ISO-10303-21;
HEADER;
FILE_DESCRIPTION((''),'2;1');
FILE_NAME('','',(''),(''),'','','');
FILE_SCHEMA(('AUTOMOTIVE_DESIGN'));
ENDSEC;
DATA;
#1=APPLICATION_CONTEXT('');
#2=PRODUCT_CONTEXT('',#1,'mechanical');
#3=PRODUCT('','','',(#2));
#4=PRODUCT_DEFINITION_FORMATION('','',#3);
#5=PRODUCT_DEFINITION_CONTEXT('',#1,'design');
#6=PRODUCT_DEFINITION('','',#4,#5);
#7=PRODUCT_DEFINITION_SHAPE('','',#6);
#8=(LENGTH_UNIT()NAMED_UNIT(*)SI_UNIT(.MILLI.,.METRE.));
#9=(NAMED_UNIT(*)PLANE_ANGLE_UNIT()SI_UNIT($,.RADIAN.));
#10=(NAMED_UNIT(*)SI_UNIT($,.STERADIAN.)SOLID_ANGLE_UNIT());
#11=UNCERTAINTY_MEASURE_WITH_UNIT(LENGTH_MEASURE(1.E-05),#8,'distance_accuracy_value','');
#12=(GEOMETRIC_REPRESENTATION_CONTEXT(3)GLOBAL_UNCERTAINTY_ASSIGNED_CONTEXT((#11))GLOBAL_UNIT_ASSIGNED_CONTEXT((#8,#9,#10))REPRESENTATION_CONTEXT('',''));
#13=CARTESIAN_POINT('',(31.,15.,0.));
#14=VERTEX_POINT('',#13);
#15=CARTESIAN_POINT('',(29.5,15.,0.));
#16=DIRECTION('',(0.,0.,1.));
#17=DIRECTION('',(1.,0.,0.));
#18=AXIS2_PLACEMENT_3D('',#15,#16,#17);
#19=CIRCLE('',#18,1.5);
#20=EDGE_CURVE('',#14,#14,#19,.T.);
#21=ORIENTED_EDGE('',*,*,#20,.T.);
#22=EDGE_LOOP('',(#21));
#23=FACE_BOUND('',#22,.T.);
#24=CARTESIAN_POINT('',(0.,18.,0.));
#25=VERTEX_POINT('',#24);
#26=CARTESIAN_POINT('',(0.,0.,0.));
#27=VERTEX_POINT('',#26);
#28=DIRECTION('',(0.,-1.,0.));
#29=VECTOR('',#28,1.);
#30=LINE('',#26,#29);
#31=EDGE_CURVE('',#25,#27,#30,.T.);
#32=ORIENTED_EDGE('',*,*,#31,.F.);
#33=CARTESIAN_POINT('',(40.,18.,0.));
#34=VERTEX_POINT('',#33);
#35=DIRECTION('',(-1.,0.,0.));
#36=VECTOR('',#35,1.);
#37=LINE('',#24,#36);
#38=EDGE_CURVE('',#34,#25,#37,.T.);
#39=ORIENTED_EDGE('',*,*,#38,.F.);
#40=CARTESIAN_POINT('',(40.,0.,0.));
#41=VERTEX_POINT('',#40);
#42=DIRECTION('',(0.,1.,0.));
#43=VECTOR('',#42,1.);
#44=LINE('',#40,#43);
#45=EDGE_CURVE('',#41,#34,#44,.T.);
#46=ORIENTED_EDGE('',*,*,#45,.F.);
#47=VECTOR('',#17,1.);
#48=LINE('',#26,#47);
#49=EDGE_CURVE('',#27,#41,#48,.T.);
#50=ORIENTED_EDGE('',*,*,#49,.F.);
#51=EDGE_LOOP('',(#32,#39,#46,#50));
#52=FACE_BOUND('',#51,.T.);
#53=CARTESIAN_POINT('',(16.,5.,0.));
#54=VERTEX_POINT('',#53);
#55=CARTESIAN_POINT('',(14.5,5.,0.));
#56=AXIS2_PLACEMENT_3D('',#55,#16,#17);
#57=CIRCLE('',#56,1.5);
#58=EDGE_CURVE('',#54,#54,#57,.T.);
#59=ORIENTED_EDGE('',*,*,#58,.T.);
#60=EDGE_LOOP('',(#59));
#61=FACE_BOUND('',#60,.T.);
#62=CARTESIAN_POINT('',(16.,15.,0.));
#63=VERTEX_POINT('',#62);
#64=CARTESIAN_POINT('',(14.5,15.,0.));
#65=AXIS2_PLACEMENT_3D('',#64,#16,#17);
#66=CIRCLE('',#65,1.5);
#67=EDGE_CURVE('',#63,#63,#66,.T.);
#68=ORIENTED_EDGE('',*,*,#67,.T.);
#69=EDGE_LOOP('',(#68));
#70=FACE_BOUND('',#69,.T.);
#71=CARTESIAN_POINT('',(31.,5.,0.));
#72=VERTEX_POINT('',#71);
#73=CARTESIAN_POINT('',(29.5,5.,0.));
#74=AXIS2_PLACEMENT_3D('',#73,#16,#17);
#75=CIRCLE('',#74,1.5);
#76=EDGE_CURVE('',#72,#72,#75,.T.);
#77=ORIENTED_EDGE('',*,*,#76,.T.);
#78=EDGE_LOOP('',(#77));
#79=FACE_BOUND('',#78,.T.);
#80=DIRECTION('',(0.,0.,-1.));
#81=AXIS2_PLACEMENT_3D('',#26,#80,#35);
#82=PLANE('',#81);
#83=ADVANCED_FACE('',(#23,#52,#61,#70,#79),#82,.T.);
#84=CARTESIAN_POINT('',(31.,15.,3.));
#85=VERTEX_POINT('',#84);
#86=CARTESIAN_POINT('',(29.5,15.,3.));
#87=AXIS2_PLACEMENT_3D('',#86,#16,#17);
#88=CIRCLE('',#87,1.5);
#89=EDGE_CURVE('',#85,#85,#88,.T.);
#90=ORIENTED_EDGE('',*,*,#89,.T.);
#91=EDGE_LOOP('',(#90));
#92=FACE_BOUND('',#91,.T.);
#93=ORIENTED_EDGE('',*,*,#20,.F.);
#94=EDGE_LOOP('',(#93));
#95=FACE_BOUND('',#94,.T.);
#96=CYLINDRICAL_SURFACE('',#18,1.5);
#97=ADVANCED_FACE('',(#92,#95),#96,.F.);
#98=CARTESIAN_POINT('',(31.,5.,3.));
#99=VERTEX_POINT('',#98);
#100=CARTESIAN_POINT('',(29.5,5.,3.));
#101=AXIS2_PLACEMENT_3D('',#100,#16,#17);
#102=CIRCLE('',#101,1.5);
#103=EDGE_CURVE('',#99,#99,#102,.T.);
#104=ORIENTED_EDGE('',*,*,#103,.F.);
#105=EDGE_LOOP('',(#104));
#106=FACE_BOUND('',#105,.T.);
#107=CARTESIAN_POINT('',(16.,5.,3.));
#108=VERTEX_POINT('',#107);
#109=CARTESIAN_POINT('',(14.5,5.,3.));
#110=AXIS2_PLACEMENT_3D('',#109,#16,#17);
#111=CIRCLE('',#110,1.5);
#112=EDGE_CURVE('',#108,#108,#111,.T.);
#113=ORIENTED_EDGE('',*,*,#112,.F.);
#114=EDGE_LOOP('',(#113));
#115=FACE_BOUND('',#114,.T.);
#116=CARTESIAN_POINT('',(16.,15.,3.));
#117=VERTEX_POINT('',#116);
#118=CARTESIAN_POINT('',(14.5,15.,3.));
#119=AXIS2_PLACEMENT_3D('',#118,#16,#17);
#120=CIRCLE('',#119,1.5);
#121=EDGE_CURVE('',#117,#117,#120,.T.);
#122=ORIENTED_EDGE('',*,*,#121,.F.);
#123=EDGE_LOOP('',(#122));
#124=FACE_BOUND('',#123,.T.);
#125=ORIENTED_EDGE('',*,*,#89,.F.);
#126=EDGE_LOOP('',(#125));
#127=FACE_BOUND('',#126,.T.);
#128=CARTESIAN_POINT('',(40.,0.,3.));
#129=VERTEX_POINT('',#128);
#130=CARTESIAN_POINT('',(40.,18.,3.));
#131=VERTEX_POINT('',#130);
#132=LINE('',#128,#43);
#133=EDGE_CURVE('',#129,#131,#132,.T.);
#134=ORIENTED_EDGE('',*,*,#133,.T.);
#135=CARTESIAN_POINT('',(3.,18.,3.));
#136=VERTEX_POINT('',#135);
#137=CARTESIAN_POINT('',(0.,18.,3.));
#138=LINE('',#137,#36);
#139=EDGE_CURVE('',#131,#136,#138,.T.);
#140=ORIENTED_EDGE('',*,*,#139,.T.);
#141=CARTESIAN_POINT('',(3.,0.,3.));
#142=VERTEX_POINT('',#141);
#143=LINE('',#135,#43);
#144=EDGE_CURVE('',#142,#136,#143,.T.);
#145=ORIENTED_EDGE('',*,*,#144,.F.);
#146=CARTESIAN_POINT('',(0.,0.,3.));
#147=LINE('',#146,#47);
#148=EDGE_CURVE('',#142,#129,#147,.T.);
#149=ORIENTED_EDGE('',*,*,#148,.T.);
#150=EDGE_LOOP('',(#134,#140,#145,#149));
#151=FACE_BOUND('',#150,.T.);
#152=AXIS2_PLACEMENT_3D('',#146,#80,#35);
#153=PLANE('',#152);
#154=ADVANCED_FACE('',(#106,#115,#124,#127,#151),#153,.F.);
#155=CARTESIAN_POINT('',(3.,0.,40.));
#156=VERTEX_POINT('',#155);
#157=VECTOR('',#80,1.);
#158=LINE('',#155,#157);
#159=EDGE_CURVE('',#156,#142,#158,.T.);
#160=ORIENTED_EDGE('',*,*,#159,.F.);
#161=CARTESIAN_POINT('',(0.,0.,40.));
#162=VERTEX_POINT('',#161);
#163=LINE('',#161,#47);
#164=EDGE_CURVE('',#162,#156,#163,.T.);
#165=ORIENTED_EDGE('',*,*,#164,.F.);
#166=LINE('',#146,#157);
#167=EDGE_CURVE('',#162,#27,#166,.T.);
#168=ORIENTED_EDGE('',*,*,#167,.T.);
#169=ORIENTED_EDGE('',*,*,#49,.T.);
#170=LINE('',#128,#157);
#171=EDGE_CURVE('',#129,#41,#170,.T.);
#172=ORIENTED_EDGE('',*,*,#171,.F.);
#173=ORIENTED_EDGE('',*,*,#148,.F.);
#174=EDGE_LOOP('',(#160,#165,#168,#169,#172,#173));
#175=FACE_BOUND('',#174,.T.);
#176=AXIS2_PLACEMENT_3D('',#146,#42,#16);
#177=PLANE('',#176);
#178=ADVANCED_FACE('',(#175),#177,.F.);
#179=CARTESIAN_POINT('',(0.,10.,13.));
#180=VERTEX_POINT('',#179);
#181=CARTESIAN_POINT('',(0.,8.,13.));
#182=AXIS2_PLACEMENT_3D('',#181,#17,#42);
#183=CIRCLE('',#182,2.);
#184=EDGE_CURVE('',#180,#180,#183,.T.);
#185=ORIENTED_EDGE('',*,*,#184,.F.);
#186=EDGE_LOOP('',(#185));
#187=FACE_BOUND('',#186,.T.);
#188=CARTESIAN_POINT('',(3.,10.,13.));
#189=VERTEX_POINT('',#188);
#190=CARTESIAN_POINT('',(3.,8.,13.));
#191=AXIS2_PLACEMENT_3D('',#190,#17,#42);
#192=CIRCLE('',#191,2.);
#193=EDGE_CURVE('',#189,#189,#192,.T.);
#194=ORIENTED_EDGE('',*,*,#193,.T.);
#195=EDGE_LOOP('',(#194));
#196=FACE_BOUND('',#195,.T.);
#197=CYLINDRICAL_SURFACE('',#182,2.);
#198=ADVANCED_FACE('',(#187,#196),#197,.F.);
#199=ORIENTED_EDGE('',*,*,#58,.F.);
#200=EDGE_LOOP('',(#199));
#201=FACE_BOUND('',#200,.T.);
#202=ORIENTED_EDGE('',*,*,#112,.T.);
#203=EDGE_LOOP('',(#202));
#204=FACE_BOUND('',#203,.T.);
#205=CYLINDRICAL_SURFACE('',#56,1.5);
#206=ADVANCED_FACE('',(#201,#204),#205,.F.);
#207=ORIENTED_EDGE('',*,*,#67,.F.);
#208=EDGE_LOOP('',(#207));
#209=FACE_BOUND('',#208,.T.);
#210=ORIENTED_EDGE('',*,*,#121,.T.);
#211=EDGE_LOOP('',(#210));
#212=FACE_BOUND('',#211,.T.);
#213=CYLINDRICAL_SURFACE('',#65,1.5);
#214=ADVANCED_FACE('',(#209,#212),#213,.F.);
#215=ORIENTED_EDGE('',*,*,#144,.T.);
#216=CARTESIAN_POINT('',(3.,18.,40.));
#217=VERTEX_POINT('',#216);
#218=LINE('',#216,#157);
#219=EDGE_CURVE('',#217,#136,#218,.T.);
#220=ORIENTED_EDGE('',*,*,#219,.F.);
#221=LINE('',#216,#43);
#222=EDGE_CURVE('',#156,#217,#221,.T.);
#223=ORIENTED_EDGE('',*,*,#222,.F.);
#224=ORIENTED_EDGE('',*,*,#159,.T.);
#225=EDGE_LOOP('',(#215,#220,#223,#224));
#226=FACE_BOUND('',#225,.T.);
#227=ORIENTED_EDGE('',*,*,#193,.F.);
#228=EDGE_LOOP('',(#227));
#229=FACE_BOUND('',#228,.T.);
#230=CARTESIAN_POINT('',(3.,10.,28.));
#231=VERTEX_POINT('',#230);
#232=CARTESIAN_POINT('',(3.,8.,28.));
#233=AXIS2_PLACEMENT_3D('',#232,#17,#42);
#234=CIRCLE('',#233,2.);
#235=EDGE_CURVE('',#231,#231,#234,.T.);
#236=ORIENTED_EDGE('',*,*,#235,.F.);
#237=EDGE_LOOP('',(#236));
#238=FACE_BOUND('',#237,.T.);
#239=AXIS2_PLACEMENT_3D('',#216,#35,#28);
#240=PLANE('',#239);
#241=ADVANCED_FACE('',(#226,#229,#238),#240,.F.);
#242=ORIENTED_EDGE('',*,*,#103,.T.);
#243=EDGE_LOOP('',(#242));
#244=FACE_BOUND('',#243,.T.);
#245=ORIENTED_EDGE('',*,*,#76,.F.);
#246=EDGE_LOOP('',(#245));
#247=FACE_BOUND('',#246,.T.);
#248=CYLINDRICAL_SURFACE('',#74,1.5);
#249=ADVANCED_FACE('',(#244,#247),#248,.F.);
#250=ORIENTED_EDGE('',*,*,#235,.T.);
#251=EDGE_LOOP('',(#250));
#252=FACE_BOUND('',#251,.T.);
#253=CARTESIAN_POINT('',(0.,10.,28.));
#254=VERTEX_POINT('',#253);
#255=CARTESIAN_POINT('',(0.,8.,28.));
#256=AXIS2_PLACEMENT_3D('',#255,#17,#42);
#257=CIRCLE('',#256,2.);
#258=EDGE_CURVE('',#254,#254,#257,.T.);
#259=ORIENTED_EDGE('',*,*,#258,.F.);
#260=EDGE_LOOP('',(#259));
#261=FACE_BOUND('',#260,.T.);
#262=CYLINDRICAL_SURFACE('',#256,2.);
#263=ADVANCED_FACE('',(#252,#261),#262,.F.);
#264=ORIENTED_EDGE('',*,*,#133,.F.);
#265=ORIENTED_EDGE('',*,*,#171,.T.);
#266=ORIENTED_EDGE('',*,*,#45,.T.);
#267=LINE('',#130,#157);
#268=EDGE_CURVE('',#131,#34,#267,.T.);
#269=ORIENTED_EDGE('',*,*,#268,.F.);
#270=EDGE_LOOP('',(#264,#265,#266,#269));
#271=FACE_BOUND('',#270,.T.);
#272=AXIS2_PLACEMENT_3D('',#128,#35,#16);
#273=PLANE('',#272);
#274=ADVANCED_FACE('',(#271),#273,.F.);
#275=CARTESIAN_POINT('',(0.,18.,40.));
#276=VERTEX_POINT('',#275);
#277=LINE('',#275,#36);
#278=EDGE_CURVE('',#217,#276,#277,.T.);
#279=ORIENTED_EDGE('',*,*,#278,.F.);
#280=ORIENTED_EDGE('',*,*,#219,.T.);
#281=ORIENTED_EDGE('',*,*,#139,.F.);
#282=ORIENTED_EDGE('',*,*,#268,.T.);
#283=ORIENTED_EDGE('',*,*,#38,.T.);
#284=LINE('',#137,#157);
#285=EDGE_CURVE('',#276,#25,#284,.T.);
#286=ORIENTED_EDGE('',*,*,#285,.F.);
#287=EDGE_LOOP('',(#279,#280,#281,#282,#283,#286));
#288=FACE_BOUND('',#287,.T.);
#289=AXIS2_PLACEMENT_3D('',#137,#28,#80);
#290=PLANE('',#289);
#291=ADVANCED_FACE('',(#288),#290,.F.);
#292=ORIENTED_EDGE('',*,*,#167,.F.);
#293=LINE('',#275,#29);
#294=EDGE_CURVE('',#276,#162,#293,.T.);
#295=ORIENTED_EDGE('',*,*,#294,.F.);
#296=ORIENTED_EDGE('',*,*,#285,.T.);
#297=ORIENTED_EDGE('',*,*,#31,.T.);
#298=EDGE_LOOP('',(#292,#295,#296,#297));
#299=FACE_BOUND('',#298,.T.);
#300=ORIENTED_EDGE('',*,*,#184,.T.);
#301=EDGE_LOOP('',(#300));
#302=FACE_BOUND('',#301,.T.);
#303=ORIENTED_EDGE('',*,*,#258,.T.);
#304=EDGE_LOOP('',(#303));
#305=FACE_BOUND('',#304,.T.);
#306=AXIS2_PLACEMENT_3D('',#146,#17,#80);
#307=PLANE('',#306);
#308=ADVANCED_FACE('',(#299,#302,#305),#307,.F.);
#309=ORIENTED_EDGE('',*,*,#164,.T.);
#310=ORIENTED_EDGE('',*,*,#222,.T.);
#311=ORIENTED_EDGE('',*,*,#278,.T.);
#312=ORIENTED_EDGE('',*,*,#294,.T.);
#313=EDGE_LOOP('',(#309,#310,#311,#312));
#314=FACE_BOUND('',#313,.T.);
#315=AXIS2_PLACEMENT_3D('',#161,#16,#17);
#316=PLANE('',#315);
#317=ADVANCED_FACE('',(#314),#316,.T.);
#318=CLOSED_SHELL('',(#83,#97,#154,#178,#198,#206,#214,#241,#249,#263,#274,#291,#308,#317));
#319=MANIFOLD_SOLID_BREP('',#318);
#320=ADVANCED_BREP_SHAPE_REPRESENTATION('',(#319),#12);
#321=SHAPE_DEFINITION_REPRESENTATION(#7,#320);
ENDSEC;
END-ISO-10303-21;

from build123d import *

# Parameters (mm, degrees)
ESQUISSE1_W             = 40
ESQUISSE1_H             = 18
BOSS_EXTRU_1_DEPTH      = 3
ESQUISSE2_W             = 3
ESQUISSE2_H             = 18
BOSS_EXTRU_2_DEPTH      = 37
ESQUISSE3_R             = 1.5
ENL_V_MAT_EXTRU_1_DEPTH = 58.384666942
ESQUISSE4_R             = 2
ENL_V_MAT_EXTRU_2_DEPTH = 58.384666942


with BuildPart() as part:
    # Esquisse1 → Boss.-Extru.1 (new body)
    with BuildSketch(Plane.XY):
        with Locations((20, 9)):
            Rectangle(ESQUISSE1_W, ESQUISSE1_H)
    extrude(amount=BOSS_EXTRU_1_DEPTH)

    # Esquisse2 → Boss.-Extru.2 (add)
    with BuildSketch(Plane.XY.offset(3)):
        with Locations((1.5, 9)):
            Rectangle(ESQUISSE2_W, ESQUISSE2_H)
    extrude(amount=BOSS_EXTRU_2_DEPTH)

    # Esquisse3 → Enlèv. mat.-Extru.1 (cut, through all)
    with BuildSketch(Plane.XY.offset(3)):
        with Locations((14.5, 15)):
            Circle(ESQUISSE3_R)
        with Locations((29.5, 15)):
            Circle(ESQUISSE3_R)
        with Locations((14.5, 5)):
            Circle(ESQUISSE3_R)
        with Locations((29.5, 5)):
            Circle(ESQUISSE3_R)
    extrude(amount=-ENL_V_MAT_EXTRU_1_DEPTH, mode=Mode.SUBTRACT)

    # Esquisse4 → Enlèv. mat.-Extru.2 (cut, through all)
    with BuildSketch(Plane(origin=(3, 0, 0), x_dir=(0, 0, -1), z_dir=(1, 0, 0))):
        with Locations(Location((-28, 8, 0), (0, 0, 90))):
            Circle(ESQUISSE4_R)
        with Locations(Location((-13, 8, 0), (0, 0, 90))):
            Circle(ESQUISSE4_R)
    extrude(amount=-ENL_V_MAT_EXTRU_2_DEPTH, mode=Mode.SUBTRACT)


solid = part.part
